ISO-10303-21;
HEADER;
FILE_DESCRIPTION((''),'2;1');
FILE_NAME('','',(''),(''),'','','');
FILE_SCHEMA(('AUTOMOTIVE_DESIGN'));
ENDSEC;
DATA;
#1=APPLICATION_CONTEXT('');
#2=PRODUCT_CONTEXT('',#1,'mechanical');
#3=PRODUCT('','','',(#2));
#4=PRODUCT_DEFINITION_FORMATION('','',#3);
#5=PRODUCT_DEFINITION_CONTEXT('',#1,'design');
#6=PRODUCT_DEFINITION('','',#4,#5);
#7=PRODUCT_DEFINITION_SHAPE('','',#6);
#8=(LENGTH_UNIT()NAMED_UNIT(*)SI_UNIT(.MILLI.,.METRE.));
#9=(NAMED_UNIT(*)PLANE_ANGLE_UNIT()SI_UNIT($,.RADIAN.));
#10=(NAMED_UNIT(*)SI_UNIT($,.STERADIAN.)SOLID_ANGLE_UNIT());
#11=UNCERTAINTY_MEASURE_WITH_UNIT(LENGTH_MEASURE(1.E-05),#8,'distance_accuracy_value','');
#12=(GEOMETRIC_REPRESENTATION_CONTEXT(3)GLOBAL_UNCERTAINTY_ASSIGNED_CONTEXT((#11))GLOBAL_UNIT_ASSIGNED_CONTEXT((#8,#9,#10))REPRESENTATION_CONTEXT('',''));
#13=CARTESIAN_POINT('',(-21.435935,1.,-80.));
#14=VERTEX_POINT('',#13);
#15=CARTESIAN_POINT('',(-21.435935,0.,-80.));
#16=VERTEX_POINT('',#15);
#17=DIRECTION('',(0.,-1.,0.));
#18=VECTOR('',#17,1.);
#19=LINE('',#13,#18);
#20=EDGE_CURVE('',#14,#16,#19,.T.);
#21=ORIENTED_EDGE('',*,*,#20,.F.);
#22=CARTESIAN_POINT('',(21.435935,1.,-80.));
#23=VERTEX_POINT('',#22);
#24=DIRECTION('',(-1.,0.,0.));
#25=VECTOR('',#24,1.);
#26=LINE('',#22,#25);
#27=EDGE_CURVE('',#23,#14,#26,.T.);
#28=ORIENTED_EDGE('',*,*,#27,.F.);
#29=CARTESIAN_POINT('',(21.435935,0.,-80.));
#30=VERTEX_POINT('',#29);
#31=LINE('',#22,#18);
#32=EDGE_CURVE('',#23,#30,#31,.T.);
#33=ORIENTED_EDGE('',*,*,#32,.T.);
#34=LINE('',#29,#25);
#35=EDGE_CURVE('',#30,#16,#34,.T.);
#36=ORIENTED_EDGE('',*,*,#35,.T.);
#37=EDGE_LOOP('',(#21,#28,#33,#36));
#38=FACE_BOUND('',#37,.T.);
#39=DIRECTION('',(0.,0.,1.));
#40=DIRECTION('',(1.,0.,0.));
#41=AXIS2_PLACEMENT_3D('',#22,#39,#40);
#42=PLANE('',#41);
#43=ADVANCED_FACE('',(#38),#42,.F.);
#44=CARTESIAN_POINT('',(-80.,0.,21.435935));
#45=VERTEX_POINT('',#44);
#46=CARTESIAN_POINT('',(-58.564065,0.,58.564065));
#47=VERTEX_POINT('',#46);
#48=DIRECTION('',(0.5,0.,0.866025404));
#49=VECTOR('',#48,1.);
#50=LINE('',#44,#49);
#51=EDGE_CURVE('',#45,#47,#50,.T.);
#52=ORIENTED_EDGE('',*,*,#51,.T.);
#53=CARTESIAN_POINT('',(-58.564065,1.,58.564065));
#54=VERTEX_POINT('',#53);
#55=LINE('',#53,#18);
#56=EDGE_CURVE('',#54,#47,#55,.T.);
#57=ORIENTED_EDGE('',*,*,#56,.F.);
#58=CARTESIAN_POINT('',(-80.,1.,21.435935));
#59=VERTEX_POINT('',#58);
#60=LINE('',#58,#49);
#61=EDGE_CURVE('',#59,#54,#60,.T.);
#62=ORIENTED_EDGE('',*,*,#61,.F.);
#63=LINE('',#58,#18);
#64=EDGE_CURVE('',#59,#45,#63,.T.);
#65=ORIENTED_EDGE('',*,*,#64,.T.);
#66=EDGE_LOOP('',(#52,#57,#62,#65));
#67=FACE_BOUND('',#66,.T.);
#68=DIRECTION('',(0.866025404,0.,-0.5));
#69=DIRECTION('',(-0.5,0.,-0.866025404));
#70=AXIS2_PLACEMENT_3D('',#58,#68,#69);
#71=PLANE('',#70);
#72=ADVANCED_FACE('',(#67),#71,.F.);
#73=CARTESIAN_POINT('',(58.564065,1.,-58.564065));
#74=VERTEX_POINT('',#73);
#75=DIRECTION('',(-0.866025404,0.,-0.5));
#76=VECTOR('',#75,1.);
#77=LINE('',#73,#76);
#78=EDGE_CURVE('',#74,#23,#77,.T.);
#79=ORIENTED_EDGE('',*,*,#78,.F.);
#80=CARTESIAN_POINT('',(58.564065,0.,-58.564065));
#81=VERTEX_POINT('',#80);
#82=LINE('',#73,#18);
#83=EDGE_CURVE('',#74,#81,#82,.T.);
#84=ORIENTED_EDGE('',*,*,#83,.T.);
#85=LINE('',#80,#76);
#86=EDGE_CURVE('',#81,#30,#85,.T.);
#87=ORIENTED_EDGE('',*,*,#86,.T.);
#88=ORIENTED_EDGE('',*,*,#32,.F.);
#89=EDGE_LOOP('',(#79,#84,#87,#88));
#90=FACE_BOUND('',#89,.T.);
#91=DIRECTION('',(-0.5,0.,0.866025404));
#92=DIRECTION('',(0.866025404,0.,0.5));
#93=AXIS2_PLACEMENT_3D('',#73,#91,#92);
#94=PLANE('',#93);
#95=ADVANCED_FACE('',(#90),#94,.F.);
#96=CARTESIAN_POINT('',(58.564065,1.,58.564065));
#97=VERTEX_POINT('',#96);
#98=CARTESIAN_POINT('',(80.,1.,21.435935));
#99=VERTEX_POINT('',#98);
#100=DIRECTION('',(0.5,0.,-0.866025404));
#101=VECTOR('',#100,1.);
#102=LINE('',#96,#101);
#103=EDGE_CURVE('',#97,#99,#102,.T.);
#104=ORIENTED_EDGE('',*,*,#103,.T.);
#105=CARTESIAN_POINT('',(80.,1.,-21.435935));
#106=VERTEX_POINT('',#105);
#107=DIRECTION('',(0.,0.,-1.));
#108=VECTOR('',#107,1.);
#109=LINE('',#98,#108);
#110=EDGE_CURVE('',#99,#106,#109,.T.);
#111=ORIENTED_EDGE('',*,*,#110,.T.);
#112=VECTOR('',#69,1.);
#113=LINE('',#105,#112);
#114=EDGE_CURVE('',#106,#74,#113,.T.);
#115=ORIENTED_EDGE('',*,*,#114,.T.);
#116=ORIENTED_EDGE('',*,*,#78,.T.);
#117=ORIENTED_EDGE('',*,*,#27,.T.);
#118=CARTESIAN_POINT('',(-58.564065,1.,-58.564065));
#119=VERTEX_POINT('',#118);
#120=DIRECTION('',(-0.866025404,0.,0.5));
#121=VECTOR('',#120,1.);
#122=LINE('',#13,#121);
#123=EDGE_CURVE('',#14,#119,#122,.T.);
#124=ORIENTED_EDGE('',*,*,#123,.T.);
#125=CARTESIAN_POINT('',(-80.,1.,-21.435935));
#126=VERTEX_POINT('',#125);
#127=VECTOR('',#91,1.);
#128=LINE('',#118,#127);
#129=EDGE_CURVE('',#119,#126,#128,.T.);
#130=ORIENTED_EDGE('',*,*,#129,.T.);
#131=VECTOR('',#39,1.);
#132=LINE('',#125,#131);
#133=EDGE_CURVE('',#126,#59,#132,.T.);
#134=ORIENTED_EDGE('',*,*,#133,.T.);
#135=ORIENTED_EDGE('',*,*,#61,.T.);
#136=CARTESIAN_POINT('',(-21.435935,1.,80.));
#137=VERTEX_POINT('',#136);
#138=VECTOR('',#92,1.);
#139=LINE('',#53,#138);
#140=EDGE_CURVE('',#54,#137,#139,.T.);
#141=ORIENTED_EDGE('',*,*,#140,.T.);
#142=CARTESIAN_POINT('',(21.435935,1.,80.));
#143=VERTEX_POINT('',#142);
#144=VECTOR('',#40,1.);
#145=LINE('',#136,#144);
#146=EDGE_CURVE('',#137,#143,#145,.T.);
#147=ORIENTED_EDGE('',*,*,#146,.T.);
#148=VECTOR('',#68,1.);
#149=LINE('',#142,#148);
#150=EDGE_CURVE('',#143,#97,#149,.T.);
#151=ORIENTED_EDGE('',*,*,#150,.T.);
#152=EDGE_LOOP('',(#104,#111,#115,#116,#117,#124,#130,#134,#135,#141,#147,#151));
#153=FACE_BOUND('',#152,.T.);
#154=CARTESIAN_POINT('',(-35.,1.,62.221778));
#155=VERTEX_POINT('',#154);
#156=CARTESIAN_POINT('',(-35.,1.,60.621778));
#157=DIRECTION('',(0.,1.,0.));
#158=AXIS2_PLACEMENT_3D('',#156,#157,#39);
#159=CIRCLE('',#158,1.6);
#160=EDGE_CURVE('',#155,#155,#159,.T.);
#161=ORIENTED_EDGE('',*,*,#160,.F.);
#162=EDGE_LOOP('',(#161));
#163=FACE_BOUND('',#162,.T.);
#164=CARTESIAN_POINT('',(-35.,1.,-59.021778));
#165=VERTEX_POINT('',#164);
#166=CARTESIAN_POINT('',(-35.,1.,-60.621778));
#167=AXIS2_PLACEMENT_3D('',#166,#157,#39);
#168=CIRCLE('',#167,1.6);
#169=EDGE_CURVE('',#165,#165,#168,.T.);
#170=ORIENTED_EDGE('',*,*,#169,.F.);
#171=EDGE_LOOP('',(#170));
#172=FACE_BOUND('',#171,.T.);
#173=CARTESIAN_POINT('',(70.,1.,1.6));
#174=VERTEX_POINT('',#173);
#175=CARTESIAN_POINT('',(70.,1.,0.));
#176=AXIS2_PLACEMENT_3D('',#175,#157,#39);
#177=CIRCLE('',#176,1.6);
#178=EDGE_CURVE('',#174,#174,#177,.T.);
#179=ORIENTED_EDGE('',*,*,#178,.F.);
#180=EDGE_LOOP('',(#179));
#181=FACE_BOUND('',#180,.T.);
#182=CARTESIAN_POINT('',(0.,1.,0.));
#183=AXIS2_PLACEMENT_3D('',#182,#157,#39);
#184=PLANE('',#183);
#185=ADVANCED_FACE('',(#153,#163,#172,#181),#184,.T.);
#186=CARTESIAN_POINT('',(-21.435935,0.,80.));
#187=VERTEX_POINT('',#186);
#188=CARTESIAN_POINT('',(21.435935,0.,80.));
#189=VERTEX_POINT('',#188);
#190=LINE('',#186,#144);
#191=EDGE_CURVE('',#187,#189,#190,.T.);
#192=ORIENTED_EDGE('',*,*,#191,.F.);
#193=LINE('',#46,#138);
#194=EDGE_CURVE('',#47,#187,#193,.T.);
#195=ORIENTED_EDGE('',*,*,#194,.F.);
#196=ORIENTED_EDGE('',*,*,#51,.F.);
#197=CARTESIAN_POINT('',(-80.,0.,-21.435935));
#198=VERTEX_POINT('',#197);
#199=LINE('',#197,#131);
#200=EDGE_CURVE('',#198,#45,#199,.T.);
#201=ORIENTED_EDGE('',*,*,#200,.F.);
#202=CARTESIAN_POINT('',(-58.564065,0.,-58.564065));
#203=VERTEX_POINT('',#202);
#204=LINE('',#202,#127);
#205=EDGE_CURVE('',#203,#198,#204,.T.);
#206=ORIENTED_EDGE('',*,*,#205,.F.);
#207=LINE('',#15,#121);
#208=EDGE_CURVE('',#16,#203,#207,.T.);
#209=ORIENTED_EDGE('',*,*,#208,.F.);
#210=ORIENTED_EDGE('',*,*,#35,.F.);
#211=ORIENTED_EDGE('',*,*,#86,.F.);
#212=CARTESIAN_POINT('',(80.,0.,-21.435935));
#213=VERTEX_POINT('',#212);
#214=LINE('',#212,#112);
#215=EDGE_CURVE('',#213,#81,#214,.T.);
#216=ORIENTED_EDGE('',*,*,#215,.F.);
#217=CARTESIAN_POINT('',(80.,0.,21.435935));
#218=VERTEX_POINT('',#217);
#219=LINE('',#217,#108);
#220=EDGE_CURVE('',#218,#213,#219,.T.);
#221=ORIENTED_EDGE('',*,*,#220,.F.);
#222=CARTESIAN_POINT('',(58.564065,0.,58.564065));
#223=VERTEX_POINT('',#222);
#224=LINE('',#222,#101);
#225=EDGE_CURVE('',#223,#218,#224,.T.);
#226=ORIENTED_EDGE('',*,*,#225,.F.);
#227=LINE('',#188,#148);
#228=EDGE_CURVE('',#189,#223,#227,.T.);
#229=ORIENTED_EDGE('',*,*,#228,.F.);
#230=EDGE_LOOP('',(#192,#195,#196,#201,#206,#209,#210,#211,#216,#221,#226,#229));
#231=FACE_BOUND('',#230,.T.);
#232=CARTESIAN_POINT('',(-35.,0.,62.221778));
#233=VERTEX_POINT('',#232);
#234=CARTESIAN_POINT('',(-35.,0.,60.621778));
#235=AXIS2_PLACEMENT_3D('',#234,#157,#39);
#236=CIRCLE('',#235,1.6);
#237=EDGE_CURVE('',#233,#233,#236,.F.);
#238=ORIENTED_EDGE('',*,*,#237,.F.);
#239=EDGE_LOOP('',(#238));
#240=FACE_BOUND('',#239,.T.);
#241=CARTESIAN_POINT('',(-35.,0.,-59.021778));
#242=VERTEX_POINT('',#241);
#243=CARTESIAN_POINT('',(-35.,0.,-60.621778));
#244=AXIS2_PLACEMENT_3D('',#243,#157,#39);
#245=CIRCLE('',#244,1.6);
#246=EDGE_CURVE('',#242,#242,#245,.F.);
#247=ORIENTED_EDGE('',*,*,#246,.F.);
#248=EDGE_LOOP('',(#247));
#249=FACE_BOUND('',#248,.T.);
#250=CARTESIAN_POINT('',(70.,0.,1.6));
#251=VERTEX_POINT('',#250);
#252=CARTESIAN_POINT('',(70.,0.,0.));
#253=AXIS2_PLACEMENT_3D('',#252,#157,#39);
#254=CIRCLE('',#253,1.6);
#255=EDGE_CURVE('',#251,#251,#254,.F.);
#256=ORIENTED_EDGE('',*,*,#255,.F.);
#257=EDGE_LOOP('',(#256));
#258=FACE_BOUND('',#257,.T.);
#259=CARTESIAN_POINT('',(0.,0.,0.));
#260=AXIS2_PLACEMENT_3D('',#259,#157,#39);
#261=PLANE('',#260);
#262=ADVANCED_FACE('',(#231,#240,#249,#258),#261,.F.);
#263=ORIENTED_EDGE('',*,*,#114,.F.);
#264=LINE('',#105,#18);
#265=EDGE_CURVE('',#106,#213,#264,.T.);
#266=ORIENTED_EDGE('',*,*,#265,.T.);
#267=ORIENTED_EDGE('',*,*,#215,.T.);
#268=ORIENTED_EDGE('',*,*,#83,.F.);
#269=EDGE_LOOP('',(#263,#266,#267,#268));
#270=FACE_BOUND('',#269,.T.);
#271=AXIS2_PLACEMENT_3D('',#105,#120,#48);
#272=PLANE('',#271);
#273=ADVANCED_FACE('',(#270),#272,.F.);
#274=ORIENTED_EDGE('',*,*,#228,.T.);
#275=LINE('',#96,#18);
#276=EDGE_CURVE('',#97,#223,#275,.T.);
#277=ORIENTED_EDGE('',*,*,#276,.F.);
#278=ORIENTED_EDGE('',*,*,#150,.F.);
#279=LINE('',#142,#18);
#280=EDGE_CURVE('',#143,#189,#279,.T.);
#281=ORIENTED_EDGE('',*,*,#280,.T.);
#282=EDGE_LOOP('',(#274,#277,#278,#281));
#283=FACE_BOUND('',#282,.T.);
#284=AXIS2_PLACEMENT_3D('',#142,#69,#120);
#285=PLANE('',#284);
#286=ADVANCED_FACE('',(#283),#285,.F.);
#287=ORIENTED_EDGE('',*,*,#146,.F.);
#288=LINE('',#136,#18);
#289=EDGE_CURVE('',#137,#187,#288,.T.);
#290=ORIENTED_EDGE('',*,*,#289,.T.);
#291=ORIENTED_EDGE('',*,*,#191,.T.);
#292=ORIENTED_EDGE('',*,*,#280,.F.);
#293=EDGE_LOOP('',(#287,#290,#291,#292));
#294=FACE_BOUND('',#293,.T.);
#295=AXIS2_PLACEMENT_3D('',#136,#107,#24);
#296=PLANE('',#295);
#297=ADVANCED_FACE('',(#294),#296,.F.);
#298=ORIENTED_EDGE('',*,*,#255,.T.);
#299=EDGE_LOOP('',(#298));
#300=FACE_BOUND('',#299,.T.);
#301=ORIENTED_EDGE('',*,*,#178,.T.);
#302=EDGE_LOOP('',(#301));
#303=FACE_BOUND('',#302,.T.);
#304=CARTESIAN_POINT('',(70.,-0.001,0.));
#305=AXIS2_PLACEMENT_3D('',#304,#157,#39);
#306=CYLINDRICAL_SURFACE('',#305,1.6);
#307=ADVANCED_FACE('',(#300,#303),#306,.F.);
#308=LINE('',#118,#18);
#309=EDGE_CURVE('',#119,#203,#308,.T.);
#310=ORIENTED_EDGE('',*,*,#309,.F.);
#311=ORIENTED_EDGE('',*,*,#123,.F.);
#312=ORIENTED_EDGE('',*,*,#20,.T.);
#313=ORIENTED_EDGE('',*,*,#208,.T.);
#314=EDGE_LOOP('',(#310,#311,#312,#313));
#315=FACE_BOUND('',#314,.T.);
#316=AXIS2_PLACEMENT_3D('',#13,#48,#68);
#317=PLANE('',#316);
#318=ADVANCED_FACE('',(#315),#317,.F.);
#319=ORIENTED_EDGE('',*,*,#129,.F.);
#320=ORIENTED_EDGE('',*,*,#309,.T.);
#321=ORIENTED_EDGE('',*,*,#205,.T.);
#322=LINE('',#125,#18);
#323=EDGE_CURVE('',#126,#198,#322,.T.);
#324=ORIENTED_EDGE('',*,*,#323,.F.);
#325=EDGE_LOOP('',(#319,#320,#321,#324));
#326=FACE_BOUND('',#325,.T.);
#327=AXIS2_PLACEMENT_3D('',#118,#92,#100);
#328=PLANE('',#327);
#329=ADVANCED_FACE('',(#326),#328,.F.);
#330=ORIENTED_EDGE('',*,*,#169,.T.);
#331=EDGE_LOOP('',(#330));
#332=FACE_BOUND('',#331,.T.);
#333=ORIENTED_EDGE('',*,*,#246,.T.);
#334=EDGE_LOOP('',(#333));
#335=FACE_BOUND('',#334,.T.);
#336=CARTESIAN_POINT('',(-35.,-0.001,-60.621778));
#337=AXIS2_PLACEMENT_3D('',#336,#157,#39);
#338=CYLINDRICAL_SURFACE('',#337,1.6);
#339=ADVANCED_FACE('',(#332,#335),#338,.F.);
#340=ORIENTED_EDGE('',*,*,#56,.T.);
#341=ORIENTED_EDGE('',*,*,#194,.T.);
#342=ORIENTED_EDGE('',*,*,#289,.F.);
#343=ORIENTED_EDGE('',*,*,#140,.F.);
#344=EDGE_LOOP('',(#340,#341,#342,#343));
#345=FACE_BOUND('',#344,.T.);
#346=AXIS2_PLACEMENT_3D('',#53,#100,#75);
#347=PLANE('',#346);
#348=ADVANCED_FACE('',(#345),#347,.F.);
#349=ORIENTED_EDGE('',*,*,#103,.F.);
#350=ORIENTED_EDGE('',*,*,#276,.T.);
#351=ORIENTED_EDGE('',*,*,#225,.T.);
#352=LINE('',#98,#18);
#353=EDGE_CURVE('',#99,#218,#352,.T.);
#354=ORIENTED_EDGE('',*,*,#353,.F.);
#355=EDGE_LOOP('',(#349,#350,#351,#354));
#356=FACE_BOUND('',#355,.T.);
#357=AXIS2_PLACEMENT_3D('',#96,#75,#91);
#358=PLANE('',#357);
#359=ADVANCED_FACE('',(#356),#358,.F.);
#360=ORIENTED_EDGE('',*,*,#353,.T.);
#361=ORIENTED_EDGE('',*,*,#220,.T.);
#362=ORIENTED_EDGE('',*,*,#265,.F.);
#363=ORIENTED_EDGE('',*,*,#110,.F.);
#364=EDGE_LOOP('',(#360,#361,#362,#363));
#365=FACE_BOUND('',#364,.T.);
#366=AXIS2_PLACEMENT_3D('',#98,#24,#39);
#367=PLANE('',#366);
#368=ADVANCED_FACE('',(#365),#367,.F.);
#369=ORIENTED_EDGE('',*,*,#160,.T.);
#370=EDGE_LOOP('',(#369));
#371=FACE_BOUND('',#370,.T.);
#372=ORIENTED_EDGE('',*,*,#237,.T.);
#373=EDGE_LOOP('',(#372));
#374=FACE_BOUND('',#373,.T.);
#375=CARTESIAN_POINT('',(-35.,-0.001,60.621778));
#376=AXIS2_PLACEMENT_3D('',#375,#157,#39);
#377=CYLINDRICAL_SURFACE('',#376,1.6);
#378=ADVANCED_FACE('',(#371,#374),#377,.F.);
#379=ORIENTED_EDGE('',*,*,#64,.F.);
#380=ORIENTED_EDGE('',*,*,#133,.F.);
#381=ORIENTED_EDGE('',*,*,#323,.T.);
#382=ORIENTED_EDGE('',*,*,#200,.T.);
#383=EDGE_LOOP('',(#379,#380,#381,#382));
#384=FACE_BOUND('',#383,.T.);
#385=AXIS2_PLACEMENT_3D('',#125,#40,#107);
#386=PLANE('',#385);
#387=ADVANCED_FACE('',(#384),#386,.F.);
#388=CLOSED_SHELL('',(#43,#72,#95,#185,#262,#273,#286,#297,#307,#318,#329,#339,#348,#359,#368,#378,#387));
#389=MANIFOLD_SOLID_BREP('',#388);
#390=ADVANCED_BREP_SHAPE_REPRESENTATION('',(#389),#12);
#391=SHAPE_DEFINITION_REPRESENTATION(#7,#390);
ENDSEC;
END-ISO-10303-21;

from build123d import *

# Parameters (mm, degrees)
EXTRUDE_1_DEPTH     = 1
CUT_EXTRUDE_1_REACH = 3
SKETCH_2_R          = 1.6
CUT_EXTRUDE_2_REACH = 3
SKETCH_3_R          = 1.6
CUT_EXTRUDE_3_REACH = 3
SKETCH_4_R          = 1.6


with BuildPart() as part:
    # ｽｹｯﾁ1 → ﾎﾞｽ - 押し出し1 (new body)
    with BuildSketch(Plane(origin=(0, 0, 0), x_dir=(1, 0, 0), z_dir=(0, 1, 0))):
        Polygon((-80, -21.435935394), (-58.564064606, -58.564064606), (-21.435935394, -80), (21.435935394, -80), (58.564064606, -58.564064606), (80, -21.435935394), (80, 21.435935394), (58.564064606, 58.564064606), (21.435935394, 80), (-21.435935394, 80), (-58.564064606, 58.564064606), (-80, 21.435935394), align=None)
    extrude(amount=EXTRUDE_1_DEPTH)

    # ｽｹｯﾁ2 → ｶｯﾄ - 押し出し1 (cut, up to next)
    with BuildSketch(Plane(origin=(0, 1, 0), x_dir=(1, 0, 0), z_dir=(0, 1, 0)), mode=Mode.PRIVATE) as cut_extrude_1_sk1:
        with Locations((-35, 60.621778265)):
            Circle(SKETCH_2_R)
    cut_extrude_1_tool1 = extrude(cut_extrude_1_sk1.sketch, amount=-CUT_EXTRUDE_1_REACH, mode=Mode.PRIVATE) & part.part
    add(cut_extrude_1_tool1.solids().sort_by_distance((-35, 1, -60.621778))[0], mode=Mode.SUBTRACT)

    # ｽｹｯﾁ3 → ｶｯﾄ - 押し出し2 (cut, up to next)
    with BuildSketch(Plane(origin=(0, 1, 0), x_dir=(1, 0, 0), z_dir=(0, 1, 0)), mode=Mode.PRIVATE) as cut_extrude_2_sk1:
        with Locations((-35, -60.621778265)):
            Circle(SKETCH_3_R)
    cut_extrude_2_tool1 = extrude(cut_extrude_2_sk1.sketch, amount=-CUT_EXTRUDE_2_REACH, mode=Mode.PRIVATE) & part.part
    add(cut_extrude_2_tool1.solids().sort_by_distance((-35, 1, 60.621778))[0], mode=Mode.SUBTRACT)

    # ｽｹｯﾁ4 → ｶｯﾄ - 押し出し3 (cut, up to next)
    with BuildSketch(Plane(origin=(0, 1, 0), x_dir=(1, 0, 0), z_dir=(0, 1, 0)), mode=Mode.PRIVATE) as cut_extrude_3_sk1:
        with Locations((70, 0)):
            Circle(SKETCH_4_R)
    cut_extrude_3_tool1 = extrude(cut_extrude_3_sk1.sketch, amount=-CUT_EXTRUDE_3_REACH, mode=Mode.PRIVATE) & part.part
    add(cut_extrude_3_tool1.solids().sort_by_distance((70, 1, 0))[0], mode=Mode.SUBTRACT)


solid = part.part
